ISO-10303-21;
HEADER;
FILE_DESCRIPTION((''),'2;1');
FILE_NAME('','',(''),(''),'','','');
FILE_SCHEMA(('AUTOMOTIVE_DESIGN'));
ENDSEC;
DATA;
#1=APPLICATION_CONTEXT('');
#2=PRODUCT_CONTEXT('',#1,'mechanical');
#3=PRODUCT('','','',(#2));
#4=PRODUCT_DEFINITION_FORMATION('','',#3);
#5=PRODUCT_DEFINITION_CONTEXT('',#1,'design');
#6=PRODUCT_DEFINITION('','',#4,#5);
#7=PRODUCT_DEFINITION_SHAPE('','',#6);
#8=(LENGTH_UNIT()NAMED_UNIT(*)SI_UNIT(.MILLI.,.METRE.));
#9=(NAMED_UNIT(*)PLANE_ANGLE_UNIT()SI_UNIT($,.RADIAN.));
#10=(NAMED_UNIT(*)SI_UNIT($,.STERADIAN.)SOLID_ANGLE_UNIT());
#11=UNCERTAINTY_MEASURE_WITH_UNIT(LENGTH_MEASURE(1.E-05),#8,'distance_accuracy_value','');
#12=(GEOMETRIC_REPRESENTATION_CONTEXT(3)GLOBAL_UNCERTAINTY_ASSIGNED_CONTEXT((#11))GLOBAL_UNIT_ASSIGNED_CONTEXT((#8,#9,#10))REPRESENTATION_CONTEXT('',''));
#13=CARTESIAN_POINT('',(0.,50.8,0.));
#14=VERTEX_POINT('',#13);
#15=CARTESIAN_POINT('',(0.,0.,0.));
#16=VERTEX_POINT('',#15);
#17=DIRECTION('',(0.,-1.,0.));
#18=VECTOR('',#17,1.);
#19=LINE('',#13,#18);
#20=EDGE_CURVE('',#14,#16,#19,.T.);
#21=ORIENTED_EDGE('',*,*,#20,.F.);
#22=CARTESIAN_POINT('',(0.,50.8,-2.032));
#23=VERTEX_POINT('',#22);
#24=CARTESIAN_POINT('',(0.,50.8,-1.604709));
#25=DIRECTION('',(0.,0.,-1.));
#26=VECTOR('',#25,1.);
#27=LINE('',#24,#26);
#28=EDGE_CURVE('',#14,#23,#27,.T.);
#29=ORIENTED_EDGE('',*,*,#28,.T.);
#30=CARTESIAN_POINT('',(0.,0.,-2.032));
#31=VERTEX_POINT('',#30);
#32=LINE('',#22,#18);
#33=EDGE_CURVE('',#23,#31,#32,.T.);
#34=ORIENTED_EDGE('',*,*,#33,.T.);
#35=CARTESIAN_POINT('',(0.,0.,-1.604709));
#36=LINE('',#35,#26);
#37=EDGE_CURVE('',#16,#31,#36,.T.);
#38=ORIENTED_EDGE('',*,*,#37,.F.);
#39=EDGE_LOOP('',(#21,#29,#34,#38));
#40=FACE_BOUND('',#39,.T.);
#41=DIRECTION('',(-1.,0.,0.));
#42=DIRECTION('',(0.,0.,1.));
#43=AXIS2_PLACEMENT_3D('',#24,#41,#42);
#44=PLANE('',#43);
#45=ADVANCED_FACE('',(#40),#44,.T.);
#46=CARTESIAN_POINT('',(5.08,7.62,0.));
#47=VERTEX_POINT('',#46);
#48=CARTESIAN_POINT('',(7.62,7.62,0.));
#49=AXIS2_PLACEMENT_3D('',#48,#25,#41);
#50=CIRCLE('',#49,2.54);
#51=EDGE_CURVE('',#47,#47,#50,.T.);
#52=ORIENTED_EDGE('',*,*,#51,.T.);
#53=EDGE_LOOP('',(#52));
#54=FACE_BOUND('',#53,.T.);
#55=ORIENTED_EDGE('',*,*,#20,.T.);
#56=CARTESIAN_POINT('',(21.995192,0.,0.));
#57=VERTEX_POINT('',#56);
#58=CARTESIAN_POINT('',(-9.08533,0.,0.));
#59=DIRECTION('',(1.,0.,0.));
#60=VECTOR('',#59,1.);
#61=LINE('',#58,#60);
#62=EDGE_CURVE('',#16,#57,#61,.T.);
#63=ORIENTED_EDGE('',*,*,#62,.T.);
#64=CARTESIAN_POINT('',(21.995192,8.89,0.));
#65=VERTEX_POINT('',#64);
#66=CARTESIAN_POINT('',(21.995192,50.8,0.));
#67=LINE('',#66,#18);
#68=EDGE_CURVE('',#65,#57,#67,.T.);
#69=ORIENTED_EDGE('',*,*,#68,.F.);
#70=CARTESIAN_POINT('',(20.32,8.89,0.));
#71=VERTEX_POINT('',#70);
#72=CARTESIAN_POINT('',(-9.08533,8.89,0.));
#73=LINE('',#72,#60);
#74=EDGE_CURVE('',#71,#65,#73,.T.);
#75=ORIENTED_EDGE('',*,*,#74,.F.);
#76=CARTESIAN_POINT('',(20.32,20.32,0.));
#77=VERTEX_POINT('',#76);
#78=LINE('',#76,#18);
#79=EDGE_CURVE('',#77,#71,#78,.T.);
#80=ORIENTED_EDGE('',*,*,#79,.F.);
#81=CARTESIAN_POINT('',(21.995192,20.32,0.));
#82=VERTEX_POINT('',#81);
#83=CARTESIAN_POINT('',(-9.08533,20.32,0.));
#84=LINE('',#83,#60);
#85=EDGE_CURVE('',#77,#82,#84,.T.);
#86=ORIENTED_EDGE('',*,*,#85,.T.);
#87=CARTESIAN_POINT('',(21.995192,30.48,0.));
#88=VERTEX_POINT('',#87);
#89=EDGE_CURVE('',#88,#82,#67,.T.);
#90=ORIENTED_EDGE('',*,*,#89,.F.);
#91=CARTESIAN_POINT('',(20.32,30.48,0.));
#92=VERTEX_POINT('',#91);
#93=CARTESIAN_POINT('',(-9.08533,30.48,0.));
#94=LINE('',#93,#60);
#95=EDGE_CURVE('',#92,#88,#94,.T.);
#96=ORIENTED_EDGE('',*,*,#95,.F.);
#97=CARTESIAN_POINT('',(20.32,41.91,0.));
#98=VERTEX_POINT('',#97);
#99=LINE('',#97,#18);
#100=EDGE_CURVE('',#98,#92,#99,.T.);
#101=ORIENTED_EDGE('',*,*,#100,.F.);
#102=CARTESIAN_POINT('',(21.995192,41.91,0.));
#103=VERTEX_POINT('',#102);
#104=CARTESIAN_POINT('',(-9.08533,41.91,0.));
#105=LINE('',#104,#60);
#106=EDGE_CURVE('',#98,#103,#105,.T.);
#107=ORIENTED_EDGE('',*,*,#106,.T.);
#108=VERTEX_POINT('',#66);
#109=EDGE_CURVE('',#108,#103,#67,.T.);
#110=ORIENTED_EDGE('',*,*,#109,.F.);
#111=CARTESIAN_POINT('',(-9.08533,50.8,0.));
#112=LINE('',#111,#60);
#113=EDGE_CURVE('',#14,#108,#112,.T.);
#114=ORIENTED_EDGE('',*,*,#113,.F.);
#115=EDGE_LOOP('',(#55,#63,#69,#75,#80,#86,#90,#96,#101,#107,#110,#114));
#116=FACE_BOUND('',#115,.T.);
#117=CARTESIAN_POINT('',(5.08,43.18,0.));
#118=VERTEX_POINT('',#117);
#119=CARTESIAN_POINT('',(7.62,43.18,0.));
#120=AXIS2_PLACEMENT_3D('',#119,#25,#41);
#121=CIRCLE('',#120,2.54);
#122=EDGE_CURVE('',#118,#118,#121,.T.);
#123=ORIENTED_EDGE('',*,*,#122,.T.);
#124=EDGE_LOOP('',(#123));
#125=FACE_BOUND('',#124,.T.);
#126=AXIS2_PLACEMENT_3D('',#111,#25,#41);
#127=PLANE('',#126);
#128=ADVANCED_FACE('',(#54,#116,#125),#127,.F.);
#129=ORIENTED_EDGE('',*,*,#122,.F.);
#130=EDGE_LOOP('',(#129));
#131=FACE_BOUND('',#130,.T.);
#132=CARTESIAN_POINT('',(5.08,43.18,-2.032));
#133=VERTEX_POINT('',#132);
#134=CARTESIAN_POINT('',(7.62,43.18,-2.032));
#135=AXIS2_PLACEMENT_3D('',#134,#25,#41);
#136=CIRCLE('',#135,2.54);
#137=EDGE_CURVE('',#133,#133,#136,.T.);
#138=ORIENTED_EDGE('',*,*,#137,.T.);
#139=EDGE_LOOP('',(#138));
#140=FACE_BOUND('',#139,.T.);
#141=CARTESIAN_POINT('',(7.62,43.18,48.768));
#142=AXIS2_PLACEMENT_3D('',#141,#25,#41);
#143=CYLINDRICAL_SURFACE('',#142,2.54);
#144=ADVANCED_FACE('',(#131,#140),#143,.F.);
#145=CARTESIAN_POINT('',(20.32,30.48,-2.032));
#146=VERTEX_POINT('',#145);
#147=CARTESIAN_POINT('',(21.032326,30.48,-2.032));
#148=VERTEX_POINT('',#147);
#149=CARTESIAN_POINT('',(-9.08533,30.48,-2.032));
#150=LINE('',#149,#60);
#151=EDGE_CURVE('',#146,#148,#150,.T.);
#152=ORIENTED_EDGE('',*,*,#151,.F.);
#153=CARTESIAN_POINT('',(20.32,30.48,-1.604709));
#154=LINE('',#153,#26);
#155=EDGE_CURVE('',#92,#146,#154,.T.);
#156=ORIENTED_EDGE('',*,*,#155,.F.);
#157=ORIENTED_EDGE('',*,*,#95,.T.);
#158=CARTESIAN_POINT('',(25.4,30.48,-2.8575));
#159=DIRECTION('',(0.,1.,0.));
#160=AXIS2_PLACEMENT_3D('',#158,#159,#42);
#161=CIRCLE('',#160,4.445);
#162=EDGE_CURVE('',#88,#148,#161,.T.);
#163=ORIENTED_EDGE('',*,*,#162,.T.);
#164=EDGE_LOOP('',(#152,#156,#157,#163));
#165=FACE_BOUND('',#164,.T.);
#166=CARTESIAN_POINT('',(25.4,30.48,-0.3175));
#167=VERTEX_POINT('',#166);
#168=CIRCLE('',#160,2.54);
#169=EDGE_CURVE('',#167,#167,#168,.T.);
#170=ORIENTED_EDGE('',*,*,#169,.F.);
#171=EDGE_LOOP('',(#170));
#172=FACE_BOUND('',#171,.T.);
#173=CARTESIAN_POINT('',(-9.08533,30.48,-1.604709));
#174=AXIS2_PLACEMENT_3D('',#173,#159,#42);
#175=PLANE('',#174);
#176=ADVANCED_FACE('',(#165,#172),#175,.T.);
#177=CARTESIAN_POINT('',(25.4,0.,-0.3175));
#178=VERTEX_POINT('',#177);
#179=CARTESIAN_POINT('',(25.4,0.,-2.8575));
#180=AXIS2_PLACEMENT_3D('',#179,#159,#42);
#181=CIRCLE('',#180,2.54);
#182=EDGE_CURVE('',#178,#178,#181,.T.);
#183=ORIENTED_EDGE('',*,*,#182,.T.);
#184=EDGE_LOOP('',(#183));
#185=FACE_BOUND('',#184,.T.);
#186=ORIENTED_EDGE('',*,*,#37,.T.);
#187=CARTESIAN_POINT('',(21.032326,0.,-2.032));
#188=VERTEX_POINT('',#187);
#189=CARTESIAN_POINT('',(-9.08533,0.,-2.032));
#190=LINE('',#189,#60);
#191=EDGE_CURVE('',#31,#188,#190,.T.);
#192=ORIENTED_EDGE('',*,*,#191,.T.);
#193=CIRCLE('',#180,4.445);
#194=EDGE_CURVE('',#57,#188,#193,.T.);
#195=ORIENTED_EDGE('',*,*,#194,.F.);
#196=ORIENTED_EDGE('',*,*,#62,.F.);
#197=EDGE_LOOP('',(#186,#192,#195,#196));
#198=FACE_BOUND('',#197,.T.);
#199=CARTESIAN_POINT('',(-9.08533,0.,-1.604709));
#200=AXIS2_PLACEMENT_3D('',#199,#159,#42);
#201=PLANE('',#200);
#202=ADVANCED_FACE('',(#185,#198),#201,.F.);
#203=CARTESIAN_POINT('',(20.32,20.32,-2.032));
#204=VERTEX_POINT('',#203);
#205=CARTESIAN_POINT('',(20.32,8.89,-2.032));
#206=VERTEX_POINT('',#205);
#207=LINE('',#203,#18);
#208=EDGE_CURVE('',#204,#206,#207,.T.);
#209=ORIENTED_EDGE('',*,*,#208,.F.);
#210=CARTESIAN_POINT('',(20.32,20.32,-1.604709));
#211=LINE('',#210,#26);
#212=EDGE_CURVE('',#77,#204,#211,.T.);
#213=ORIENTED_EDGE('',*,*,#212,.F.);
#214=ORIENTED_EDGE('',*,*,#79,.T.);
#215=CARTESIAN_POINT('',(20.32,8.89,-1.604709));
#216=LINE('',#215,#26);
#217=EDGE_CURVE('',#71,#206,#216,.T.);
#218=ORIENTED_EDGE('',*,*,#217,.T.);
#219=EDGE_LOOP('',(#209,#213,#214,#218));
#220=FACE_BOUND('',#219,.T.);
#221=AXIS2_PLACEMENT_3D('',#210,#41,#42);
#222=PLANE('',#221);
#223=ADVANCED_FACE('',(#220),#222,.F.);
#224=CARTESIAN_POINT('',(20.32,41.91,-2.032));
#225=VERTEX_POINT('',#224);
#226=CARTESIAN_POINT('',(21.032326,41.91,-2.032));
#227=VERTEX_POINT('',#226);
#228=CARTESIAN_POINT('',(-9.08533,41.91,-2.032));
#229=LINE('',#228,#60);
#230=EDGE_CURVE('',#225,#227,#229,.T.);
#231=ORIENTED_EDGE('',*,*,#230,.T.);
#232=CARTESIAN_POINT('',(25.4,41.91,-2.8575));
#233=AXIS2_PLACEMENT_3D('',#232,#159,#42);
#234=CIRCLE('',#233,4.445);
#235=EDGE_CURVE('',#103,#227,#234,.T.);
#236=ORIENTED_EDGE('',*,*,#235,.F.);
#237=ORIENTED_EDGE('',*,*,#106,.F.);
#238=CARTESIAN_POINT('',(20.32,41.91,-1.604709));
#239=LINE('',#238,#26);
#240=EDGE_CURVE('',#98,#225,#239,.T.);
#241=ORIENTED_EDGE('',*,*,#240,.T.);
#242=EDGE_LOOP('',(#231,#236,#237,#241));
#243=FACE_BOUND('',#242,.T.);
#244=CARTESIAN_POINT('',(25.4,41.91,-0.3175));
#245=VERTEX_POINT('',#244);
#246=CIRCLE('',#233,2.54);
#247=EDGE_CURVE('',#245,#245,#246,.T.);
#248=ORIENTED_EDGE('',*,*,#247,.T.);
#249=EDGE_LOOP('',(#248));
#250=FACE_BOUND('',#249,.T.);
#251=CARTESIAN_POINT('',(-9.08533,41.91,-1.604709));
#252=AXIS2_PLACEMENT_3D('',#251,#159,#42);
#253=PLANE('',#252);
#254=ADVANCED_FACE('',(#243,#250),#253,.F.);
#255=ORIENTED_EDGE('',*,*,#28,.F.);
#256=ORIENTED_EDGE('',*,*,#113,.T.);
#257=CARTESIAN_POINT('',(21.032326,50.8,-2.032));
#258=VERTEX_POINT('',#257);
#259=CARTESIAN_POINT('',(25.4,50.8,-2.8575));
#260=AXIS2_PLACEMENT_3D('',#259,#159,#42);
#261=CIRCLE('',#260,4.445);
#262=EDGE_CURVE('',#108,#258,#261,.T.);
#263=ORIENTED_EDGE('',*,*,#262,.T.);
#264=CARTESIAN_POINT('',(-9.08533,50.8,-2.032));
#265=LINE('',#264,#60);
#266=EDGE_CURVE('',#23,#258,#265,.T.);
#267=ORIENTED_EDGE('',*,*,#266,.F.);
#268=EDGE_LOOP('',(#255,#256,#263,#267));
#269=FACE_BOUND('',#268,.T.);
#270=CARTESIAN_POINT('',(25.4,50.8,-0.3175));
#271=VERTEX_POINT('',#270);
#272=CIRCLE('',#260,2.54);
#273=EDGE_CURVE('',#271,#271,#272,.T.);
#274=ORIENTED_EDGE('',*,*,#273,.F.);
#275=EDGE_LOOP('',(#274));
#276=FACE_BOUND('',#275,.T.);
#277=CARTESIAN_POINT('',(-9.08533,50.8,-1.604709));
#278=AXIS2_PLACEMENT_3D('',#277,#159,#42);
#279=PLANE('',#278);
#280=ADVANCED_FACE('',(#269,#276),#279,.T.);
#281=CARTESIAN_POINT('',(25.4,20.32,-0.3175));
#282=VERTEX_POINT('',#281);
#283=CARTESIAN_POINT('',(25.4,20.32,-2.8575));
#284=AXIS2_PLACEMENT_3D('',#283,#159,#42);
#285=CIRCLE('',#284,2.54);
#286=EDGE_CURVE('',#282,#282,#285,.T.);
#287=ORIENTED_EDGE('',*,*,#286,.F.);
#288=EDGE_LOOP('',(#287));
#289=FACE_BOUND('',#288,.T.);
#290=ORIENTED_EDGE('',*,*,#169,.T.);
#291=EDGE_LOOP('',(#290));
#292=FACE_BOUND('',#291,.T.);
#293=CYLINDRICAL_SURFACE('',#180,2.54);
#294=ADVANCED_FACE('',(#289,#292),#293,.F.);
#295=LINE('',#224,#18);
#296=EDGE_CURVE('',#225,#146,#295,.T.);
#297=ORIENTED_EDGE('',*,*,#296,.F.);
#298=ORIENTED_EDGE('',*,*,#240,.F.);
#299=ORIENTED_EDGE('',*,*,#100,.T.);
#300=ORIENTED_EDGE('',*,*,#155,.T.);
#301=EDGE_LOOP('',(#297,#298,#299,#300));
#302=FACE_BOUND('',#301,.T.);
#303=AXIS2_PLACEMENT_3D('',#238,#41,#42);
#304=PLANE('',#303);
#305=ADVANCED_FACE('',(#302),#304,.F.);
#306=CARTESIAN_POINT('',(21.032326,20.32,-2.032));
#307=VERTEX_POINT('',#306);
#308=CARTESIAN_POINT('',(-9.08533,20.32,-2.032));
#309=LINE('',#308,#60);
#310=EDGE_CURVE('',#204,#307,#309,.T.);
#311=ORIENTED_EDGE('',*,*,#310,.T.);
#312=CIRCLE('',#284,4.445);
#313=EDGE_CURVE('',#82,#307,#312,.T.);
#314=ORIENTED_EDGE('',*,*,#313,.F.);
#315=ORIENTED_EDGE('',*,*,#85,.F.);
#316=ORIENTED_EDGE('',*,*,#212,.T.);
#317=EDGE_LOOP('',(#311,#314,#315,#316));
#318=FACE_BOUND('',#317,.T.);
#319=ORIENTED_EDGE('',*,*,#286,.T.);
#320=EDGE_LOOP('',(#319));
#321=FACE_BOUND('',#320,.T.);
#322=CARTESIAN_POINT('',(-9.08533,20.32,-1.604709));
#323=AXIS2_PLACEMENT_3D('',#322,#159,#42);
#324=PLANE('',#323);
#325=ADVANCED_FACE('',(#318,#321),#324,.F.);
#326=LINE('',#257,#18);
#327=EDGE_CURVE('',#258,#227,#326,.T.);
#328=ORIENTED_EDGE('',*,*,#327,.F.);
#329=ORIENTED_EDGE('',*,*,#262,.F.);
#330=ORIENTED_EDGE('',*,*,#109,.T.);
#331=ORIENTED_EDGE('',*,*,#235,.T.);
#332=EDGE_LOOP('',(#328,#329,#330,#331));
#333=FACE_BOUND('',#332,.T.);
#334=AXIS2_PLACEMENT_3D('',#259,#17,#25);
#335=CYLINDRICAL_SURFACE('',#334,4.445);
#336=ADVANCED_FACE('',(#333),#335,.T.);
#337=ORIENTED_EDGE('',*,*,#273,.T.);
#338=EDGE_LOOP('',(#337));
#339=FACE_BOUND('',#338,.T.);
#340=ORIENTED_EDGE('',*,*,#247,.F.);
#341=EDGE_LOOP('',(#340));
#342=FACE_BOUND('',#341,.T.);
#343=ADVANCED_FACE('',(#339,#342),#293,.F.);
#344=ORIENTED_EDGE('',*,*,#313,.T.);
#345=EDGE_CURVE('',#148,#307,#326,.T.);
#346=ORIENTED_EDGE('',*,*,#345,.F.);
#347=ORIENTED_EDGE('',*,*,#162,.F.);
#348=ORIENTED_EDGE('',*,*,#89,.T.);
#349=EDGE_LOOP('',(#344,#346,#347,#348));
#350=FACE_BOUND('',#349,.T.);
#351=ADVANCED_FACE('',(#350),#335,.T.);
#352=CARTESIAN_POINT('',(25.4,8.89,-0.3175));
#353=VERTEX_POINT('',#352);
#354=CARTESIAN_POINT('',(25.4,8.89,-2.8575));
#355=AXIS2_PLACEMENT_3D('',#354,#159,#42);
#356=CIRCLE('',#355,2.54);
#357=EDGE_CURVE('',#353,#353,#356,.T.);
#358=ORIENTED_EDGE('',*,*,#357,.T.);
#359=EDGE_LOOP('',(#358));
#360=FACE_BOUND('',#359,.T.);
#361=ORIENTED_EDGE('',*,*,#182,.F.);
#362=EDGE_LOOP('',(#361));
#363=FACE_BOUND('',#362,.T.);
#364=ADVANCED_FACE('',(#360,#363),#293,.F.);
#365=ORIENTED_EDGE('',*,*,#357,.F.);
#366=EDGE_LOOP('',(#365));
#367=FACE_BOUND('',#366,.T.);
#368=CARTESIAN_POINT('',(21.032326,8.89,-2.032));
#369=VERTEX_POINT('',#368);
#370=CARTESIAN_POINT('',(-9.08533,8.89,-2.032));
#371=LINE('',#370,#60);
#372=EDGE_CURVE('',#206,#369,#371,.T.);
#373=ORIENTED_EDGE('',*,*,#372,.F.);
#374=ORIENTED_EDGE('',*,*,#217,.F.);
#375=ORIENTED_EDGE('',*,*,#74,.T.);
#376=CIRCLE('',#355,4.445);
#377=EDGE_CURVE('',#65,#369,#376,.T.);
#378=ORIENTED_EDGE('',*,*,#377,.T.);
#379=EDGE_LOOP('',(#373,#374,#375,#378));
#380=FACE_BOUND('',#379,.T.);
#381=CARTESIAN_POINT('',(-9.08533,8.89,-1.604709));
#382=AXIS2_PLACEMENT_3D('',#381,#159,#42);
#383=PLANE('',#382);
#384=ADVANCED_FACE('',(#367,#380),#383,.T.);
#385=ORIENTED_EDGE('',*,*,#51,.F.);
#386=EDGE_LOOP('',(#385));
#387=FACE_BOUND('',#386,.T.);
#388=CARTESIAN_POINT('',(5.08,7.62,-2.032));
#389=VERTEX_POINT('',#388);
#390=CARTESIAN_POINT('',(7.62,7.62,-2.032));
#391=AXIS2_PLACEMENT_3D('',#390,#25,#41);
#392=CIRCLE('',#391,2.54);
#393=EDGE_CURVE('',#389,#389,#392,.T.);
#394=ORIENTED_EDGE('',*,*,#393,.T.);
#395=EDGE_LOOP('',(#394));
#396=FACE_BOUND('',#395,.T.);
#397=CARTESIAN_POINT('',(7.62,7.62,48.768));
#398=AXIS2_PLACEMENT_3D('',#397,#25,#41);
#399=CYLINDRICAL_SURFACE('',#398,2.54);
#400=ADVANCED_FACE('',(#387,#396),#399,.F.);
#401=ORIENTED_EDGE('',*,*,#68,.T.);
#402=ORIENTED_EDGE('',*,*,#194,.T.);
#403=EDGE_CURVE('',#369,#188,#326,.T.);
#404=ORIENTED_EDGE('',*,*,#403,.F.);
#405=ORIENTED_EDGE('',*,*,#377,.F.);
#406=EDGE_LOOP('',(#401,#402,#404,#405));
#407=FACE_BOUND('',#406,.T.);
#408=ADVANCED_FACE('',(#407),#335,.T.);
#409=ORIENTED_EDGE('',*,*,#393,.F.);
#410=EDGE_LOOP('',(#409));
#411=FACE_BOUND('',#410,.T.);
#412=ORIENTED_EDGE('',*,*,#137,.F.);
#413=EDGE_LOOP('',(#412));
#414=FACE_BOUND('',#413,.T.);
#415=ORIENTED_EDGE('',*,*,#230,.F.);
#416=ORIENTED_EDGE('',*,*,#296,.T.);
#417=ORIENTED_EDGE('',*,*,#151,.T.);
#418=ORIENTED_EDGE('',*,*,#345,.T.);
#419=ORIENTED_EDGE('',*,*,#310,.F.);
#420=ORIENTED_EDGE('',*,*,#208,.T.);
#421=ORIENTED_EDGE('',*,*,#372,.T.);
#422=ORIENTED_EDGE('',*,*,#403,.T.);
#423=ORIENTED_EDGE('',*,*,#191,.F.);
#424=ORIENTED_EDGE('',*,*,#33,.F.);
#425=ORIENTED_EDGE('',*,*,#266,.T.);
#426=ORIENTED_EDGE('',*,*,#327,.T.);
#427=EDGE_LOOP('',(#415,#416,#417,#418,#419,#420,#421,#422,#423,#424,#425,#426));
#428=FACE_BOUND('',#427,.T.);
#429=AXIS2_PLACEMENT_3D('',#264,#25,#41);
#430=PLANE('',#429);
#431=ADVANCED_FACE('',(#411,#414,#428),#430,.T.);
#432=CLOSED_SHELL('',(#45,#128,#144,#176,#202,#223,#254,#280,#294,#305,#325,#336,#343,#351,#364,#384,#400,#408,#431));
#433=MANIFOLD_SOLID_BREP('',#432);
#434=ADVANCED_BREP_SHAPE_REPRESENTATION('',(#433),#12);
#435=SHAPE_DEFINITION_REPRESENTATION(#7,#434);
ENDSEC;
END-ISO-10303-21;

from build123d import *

# Parameters (mm, degrees)
BOSS_EXTRUDE1_DEPTH = 50.8
SKETCH2_R           = 2.54
CUT_EXTRUDE1_DEPTH  = 50.8
CUT_EXTRUDE2_START  = 8.89
CUT_EXTRUDE2_DEPTH  = 11.43
CUT_EXTRUDE3_START  = 30.48
CUT_EXTRUDE3_DEPTH  = 11.43
SKETCH3_R           = 2.54
CUT_EXTRUDE4_DEPTH  = 60.369104181


with BuildPart() as part:
    # Sketch1 → Boss-Extrude1 (new body)
    with BuildSketch(Plane(origin=(0, 0, 0), x_dir=(1, 0, 0), z_dir=(0, 1, 0))):
        with BuildLine():
            Line((0, 0), (21.995191819, 0))
            ThreePointArc((21.995191819, 0), (29.416855136, 4.760891662), (21.032326163, 2.032))
            Line((21.032326163, 2.032), (0, 2.032))
            Line((0, 2.032), (0, 0))
        make_face()
    extrude(amount=BOSS_EXTRUDE1_DEPTH)

    # Sketch2 → Cut-Extrude1 (cut)
    with BuildSketch(Plane(origin=(0, 0, -2.032), x_dir=(-1, 0, 0), z_dir=(0, 0, -1))):
        with Locations((-7.62, 43.18)):
            Circle(SKETCH2_R)
        with Locations((-7.62, 7.62)):
            Circle(SKETCH2_R)
    extrude(amount=-CUT_EXTRUDE1_DEPTH, mode=Mode.SUBTRACT)

    # Sketch1<3> → Cut-Extrude2 (cut)
    with BuildSketch(Plane(origin=(0, 0, 0), x_dir=(1, 0, 0), z_dir=(0, 1, 0)).offset(CUT_EXTRUDE2_START)):
        with BuildLine():
            Line((21.032326163, 2.032), (20.32, 2.032))
            Line((20.32, 2.032), (20.32, 0))
            Line((20.32, 0), (21.995191819, 0))
            ThreePointArc((21.995191819, 0), (29.416855136, 4.760891662), (21.032326163, 2.032))
        make_face()
    extrude(amount=CUT_EXTRUDE2_DEPTH, mode=Mode.SUBTRACT)

    # Sketch1<5> → Cut-Extrude3 (cut)
    with BuildSketch(Plane(origin=(0, 0, 0), x_dir=(1, 0, 0), z_dir=(0, 1, 0)).offset(CUT_EXTRUDE3_START)):
        with BuildLine():
            Line((21.032326163, 2.032), (20.32, 2.032))
            Line((20.32, 2.032), (20.32, 0))
            Line((20.32, 0), (21.995191819, 0))
            ThreePointArc((21.995191819, 0), (29.416855136, 4.760891662), (21.032326163, 2.032))
        make_face()
    extrude(amount=CUT_EXTRUDE3_DEPTH, mode=Mode.SUBTRACT)

    # Sketch3 → Cut-Extrude4 (cut, through all)
    with BuildSketch(Plane(origin=(0, 50.8, 0), x_dir=(1, 0, 0), z_dir=(0, 1, 0))):
        with Locations((25.4, 2.8575)):
            Circle(SKETCH3_R)
    extrude(amount=-CUT_EXTRUDE4_DEPTH, mode=Mode.SUBTRACT)


solid = part.part
